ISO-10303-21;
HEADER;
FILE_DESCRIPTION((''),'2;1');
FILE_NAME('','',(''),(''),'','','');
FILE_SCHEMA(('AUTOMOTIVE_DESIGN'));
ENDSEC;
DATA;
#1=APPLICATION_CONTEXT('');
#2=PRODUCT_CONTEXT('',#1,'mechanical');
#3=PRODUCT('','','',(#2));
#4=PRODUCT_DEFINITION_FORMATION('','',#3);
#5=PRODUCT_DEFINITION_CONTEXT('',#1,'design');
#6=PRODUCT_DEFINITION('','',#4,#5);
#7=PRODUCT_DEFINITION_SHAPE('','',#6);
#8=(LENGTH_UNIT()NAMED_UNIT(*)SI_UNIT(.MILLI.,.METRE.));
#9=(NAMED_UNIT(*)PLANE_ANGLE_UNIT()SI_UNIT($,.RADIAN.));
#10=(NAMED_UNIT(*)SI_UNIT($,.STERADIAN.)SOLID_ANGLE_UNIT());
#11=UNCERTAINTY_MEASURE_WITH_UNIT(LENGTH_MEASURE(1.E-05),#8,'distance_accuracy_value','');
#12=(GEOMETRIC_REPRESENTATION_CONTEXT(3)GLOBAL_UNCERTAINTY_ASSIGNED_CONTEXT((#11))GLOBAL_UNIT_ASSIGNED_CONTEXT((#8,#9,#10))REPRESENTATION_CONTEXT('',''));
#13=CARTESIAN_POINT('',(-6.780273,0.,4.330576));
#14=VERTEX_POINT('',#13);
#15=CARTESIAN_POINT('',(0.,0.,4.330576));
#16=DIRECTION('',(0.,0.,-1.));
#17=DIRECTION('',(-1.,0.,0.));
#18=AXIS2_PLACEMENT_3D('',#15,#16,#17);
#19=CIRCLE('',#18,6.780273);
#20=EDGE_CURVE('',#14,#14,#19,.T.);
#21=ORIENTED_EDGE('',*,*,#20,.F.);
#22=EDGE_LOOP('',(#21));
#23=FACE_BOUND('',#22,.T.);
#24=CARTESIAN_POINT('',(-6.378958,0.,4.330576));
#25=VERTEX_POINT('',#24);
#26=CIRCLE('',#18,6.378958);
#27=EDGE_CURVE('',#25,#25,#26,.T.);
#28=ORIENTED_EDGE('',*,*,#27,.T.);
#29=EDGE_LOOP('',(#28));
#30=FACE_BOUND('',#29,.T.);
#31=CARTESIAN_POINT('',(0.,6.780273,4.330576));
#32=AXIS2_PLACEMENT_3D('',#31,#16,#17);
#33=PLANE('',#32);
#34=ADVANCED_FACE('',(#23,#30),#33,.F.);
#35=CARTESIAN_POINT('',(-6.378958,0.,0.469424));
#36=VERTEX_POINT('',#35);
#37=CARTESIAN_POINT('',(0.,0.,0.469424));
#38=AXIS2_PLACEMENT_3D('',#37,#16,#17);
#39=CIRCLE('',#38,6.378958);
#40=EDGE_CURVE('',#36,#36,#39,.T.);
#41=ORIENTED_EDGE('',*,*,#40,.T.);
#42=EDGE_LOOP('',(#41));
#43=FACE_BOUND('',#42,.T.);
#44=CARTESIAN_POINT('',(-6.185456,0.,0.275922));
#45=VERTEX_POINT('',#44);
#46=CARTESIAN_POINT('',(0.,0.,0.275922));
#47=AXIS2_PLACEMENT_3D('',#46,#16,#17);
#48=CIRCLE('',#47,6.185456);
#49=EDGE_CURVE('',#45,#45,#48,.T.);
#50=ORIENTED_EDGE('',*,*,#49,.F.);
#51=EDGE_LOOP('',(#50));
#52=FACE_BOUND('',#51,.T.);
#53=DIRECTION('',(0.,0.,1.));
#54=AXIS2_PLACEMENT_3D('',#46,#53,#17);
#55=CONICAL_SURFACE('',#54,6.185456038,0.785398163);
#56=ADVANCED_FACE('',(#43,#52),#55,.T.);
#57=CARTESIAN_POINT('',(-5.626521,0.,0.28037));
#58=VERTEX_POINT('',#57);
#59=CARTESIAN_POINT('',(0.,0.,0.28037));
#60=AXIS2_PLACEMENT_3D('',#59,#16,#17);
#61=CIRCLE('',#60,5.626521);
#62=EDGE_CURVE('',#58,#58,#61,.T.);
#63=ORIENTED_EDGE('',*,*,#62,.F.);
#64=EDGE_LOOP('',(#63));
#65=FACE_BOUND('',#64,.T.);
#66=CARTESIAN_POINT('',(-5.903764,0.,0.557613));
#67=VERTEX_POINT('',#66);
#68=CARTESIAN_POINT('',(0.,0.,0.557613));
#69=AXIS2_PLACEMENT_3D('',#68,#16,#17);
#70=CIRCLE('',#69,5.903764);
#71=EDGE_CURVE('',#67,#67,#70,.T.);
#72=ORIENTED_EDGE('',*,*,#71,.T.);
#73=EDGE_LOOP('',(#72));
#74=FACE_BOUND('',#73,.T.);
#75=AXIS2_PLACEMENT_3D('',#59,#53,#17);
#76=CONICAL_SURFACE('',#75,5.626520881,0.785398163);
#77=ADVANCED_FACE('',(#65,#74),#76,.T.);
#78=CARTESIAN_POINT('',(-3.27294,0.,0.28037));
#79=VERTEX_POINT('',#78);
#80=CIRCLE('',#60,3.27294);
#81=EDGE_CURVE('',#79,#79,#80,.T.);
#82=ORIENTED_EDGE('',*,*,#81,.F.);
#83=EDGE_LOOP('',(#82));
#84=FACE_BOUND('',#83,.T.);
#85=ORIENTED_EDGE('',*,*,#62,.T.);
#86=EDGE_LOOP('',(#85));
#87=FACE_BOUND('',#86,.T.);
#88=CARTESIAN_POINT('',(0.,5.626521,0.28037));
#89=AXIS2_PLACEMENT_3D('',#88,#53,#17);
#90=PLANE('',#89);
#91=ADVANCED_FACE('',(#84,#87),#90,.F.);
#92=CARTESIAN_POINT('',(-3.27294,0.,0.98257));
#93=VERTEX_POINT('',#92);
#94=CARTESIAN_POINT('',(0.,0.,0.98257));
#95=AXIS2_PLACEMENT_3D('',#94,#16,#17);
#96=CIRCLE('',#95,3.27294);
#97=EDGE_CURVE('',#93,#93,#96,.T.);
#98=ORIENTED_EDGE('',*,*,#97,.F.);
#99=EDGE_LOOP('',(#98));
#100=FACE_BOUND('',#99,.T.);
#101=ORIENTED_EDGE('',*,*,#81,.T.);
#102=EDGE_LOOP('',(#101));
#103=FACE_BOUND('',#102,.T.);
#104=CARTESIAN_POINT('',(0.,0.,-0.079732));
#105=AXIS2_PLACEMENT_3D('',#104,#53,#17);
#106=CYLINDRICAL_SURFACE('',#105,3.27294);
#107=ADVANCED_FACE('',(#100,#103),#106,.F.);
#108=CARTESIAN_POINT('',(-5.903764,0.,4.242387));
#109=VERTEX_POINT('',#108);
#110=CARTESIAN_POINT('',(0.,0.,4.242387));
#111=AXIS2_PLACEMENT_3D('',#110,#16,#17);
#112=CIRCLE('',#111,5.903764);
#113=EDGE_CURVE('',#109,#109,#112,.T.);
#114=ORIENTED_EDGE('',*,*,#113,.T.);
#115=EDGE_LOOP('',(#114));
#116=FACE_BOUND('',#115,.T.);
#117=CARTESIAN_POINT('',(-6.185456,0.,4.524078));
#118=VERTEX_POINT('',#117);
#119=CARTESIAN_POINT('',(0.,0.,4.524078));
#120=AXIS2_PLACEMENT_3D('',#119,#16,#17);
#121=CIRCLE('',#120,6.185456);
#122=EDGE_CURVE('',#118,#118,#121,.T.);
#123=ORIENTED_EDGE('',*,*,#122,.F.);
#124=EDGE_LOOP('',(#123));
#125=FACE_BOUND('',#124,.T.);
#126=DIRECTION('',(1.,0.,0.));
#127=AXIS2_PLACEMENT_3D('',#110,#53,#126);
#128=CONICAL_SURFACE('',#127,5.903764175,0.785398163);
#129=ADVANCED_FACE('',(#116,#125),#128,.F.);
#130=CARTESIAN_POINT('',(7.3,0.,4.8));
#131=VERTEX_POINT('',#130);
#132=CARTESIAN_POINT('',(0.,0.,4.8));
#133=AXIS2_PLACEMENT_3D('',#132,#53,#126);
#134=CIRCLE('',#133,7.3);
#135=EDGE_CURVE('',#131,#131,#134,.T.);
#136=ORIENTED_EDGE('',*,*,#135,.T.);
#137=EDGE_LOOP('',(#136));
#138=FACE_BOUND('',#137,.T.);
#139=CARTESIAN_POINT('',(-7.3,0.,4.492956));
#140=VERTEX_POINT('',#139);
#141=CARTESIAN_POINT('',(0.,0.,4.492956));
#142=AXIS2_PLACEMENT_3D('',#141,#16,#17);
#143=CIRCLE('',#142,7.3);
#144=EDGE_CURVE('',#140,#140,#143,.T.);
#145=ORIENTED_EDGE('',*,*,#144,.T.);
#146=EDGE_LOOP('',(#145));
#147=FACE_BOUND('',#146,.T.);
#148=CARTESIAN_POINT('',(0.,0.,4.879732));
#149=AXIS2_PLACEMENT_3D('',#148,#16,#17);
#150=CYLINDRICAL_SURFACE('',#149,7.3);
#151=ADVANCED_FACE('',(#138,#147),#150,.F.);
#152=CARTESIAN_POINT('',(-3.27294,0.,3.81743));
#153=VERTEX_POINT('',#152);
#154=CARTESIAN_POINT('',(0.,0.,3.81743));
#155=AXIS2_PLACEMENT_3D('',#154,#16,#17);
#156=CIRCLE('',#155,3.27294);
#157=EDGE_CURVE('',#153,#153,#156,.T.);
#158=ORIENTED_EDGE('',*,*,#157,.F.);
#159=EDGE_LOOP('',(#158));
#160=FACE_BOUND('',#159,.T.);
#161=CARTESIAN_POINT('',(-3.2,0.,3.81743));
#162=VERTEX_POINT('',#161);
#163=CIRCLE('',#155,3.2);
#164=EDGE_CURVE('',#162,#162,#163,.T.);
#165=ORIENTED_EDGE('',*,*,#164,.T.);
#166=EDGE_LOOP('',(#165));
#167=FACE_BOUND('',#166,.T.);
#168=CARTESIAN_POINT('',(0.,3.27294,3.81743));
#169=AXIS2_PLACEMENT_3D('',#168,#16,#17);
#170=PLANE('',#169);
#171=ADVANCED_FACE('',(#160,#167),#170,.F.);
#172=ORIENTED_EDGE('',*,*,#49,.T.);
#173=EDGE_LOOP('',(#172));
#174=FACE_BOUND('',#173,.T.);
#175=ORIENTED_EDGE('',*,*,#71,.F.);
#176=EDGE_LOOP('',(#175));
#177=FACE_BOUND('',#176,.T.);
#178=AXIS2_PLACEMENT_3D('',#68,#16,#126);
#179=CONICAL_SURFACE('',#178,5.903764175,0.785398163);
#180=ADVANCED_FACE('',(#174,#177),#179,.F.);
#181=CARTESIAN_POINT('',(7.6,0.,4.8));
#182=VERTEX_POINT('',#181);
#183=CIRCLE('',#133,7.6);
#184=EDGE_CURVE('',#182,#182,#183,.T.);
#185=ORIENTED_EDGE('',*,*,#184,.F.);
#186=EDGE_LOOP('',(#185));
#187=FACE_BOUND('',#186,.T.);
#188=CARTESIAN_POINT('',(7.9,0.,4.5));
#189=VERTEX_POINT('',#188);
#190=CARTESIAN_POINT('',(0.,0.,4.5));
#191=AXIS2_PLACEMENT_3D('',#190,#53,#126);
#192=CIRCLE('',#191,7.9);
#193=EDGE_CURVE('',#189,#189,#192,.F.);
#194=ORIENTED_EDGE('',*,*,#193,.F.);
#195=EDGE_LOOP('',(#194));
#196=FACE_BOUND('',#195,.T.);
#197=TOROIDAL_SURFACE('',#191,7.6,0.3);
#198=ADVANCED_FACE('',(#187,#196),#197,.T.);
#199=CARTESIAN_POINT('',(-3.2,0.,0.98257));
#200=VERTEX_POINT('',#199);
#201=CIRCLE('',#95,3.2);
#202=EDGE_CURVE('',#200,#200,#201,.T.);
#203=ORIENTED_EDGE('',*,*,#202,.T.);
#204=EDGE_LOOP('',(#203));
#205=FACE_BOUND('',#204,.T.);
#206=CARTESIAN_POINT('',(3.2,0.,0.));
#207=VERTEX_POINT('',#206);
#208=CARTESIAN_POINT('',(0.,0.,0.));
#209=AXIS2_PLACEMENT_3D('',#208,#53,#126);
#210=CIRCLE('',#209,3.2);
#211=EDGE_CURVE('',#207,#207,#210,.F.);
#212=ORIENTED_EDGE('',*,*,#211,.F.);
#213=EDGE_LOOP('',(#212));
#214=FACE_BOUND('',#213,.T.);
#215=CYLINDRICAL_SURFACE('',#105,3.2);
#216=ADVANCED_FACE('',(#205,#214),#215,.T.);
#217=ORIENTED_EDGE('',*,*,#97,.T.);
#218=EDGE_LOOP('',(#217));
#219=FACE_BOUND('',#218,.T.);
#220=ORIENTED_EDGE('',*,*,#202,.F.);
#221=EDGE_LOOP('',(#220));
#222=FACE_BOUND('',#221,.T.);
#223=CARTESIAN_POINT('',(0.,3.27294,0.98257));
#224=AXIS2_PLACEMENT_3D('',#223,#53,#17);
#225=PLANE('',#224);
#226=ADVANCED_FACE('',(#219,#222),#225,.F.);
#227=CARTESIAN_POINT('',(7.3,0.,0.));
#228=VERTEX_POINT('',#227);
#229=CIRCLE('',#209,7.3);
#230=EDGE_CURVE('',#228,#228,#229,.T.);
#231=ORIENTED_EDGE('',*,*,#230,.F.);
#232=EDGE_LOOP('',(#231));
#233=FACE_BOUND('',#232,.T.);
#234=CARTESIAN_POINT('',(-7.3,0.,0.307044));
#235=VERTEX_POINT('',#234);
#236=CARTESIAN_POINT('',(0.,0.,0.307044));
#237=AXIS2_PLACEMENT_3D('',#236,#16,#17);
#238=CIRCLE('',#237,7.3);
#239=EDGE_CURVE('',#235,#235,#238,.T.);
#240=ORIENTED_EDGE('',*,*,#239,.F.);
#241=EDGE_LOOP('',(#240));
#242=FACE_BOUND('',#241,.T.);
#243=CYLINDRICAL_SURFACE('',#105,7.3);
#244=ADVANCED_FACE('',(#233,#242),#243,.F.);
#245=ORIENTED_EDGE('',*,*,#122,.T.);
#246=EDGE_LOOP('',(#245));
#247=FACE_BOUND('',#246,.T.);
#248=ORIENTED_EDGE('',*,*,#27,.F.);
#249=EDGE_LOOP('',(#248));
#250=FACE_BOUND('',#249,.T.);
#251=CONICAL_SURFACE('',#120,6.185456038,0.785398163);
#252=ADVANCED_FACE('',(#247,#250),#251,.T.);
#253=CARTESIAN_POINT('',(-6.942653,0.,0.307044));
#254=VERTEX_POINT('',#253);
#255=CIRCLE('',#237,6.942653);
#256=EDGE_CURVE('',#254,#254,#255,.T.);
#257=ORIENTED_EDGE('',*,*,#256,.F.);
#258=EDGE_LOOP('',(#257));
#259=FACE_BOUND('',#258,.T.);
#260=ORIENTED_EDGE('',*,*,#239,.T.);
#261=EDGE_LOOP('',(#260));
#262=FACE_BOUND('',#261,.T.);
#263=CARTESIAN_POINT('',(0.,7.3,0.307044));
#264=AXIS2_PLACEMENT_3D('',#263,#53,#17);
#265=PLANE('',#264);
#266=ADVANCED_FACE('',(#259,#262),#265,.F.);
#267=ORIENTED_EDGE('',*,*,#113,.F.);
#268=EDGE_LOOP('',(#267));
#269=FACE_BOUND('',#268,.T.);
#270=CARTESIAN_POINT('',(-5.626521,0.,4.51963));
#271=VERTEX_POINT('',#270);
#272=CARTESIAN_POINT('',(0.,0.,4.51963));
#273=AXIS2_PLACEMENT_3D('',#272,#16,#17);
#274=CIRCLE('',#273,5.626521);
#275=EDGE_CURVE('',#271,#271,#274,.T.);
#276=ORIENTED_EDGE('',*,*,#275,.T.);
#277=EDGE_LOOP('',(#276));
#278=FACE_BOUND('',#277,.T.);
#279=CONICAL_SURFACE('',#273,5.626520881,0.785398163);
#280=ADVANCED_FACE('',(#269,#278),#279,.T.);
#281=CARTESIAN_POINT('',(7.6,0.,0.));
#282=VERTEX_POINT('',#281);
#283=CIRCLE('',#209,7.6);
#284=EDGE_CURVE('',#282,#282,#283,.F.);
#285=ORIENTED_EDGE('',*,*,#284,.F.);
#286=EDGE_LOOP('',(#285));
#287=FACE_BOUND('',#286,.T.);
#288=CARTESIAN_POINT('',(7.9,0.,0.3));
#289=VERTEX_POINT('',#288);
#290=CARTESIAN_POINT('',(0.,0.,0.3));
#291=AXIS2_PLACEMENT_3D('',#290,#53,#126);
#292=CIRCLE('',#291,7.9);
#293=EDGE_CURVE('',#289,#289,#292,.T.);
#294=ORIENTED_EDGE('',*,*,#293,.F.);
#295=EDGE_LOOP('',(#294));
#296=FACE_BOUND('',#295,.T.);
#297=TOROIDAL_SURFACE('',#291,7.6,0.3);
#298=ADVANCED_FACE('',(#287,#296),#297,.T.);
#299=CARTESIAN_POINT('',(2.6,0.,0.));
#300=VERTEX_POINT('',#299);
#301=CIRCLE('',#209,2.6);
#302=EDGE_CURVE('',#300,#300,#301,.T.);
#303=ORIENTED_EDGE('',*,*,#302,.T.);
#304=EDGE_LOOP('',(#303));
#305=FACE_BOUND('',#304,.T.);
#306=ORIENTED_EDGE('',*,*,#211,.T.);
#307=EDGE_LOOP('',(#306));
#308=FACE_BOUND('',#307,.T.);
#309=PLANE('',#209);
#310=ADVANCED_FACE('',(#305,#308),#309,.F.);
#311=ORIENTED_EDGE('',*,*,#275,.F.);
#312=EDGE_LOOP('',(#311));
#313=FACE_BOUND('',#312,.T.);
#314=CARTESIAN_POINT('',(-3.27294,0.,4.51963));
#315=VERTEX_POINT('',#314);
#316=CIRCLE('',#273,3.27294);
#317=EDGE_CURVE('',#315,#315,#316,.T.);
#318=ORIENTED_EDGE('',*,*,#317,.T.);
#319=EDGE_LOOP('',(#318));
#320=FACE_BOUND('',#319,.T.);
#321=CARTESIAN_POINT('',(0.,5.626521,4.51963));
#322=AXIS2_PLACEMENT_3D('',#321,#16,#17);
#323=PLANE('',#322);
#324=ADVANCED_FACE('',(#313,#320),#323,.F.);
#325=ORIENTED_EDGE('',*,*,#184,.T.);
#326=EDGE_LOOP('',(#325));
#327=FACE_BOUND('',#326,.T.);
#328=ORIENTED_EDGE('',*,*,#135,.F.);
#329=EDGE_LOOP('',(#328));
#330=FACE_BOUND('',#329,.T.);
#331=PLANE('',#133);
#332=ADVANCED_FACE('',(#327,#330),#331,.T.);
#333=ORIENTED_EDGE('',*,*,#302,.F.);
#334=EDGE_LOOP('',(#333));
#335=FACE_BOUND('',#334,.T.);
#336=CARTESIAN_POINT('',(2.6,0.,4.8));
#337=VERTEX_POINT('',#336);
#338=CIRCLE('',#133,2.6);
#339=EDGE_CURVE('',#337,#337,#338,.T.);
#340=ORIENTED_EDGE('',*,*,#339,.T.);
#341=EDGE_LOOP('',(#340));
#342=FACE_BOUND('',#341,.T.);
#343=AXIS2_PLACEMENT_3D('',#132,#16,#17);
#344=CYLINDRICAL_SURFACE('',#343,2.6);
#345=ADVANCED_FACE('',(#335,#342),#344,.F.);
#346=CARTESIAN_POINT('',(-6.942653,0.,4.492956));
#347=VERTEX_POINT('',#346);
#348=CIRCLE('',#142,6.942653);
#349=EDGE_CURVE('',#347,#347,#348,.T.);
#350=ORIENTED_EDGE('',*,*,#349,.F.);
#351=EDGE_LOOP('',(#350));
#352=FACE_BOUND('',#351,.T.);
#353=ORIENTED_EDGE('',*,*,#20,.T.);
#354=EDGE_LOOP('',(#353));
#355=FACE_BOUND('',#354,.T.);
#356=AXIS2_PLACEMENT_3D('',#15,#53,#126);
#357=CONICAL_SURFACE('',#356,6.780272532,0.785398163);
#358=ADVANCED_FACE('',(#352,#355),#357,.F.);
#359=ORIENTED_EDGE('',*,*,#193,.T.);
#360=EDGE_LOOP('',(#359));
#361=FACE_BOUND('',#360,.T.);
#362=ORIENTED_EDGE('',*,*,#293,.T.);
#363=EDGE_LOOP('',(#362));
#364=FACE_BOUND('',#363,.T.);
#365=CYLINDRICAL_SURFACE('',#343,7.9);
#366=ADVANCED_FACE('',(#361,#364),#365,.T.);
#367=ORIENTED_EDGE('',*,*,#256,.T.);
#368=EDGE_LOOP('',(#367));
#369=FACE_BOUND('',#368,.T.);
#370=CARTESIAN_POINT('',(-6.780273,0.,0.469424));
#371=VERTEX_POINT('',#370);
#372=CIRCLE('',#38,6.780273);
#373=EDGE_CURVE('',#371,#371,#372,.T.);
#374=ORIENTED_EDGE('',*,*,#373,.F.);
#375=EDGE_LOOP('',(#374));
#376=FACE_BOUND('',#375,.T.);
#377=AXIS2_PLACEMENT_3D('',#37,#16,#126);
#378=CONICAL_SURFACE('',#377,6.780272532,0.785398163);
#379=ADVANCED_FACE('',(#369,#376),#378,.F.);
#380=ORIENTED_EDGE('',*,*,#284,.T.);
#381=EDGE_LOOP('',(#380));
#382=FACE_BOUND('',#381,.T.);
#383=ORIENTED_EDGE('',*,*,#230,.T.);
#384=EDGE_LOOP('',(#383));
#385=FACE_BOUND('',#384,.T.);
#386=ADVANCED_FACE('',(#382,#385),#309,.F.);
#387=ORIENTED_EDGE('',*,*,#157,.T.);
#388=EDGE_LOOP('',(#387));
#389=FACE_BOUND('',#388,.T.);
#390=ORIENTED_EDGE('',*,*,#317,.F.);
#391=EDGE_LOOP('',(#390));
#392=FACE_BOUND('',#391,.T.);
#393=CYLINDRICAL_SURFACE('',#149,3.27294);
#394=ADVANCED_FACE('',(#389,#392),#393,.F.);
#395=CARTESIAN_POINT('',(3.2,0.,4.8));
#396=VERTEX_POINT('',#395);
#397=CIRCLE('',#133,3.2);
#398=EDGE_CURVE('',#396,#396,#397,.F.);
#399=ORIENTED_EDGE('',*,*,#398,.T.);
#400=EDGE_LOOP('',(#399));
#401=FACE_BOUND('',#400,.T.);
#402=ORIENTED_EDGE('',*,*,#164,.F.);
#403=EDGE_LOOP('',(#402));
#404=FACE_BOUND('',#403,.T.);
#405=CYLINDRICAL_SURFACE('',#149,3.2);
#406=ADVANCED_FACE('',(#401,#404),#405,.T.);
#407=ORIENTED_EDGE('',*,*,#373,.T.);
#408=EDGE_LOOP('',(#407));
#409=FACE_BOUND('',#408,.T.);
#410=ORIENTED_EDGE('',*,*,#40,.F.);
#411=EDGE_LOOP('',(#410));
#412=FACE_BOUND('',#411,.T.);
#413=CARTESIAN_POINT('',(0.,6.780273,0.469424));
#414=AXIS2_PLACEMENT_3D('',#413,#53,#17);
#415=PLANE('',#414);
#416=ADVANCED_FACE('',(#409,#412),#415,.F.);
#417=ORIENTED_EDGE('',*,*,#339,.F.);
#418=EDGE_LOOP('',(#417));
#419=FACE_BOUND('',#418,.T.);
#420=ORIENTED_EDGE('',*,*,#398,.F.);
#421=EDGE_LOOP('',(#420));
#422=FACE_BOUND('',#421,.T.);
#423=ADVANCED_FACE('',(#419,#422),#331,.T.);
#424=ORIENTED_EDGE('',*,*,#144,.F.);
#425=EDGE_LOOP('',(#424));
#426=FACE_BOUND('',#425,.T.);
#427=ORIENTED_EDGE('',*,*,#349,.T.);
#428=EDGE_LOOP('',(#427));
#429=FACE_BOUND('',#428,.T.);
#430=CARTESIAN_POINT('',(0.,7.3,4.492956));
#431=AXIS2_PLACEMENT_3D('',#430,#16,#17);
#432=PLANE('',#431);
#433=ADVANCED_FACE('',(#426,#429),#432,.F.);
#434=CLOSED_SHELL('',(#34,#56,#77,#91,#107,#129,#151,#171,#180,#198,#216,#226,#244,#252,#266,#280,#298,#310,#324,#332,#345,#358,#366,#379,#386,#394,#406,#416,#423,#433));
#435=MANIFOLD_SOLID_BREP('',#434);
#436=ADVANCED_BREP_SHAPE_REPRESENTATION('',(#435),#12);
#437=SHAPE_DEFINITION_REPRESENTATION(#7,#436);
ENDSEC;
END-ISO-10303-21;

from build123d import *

# Parameters (mm, degrees)
SKETCH1_R           = 7.9
SKETCH1_R_2         = 2.6
BOSS_EXTRUDE1_DEPTH = 4.8
FILLET1_R           = 0.3


with BuildPart() as part:
    # Sketch1 → Boss-Extrude1 (new body)
    with BuildSketch(Plane.XY):
        Circle(SKETCH1_R)
        Circle(SKETCH1_R_2, mode=Mode.SUBTRACT)
    extrude(amount=BOSS_EXTRUDE1_DEPTH)

    # Sketch2 → Cut-Revolve1 (revolve, cut)
    with BuildSketch(Plane(origin=(0, 0, 0), x_dir=(0, 0, -1), z_dir=(1, 0, 0)), mode=Mode.PRIVATE) as cut_revolve1_sk:
        Polygon((-5.02377309, 7.3), (-4.492956226, 7.3), (-4.492956226, 6.942652627), (-4.330576131, 6.780272532), (-4.330576131, 6.378958324), (-4.524078417, 6.185456038), (-4.242386553, 5.903764175), (-4.519629847, 5.626520881), (-4.519629847, 3.272939667), (-3.81743033, 3.272939667), (-3.81743033, 3.2), (-4.879732163, 3.2), (-4.879732163, 0), (-5.869193326, 0), (-5.869193326, 7.3), align=None)
    cut_revolve1 = revolve(cut_revolve1_sk.sketch.rotate(Axis((0, 0, 4.879732163), (0, 0, 1)), 90), axis=Axis((0, 0, 4.879732163), (0, 0, 1)), mode=Mode.SUBTRACT)

    # Mirror1: Cut-Revolve1 across plane
    add(cut_revolve1.mirror(Plane.XY.offset(2.4)), mode=Mode.SUBTRACT)

    # Fillet1
    fillet1_edges = [part.edges().sort_by_distance(p)[0] for p in [
        (-7.9, 0, 0),
        (-7.9, 0, 4.8),
    ]]
    fillet(fillet1_edges, radius=FILLET1_R)


solid = part.part
